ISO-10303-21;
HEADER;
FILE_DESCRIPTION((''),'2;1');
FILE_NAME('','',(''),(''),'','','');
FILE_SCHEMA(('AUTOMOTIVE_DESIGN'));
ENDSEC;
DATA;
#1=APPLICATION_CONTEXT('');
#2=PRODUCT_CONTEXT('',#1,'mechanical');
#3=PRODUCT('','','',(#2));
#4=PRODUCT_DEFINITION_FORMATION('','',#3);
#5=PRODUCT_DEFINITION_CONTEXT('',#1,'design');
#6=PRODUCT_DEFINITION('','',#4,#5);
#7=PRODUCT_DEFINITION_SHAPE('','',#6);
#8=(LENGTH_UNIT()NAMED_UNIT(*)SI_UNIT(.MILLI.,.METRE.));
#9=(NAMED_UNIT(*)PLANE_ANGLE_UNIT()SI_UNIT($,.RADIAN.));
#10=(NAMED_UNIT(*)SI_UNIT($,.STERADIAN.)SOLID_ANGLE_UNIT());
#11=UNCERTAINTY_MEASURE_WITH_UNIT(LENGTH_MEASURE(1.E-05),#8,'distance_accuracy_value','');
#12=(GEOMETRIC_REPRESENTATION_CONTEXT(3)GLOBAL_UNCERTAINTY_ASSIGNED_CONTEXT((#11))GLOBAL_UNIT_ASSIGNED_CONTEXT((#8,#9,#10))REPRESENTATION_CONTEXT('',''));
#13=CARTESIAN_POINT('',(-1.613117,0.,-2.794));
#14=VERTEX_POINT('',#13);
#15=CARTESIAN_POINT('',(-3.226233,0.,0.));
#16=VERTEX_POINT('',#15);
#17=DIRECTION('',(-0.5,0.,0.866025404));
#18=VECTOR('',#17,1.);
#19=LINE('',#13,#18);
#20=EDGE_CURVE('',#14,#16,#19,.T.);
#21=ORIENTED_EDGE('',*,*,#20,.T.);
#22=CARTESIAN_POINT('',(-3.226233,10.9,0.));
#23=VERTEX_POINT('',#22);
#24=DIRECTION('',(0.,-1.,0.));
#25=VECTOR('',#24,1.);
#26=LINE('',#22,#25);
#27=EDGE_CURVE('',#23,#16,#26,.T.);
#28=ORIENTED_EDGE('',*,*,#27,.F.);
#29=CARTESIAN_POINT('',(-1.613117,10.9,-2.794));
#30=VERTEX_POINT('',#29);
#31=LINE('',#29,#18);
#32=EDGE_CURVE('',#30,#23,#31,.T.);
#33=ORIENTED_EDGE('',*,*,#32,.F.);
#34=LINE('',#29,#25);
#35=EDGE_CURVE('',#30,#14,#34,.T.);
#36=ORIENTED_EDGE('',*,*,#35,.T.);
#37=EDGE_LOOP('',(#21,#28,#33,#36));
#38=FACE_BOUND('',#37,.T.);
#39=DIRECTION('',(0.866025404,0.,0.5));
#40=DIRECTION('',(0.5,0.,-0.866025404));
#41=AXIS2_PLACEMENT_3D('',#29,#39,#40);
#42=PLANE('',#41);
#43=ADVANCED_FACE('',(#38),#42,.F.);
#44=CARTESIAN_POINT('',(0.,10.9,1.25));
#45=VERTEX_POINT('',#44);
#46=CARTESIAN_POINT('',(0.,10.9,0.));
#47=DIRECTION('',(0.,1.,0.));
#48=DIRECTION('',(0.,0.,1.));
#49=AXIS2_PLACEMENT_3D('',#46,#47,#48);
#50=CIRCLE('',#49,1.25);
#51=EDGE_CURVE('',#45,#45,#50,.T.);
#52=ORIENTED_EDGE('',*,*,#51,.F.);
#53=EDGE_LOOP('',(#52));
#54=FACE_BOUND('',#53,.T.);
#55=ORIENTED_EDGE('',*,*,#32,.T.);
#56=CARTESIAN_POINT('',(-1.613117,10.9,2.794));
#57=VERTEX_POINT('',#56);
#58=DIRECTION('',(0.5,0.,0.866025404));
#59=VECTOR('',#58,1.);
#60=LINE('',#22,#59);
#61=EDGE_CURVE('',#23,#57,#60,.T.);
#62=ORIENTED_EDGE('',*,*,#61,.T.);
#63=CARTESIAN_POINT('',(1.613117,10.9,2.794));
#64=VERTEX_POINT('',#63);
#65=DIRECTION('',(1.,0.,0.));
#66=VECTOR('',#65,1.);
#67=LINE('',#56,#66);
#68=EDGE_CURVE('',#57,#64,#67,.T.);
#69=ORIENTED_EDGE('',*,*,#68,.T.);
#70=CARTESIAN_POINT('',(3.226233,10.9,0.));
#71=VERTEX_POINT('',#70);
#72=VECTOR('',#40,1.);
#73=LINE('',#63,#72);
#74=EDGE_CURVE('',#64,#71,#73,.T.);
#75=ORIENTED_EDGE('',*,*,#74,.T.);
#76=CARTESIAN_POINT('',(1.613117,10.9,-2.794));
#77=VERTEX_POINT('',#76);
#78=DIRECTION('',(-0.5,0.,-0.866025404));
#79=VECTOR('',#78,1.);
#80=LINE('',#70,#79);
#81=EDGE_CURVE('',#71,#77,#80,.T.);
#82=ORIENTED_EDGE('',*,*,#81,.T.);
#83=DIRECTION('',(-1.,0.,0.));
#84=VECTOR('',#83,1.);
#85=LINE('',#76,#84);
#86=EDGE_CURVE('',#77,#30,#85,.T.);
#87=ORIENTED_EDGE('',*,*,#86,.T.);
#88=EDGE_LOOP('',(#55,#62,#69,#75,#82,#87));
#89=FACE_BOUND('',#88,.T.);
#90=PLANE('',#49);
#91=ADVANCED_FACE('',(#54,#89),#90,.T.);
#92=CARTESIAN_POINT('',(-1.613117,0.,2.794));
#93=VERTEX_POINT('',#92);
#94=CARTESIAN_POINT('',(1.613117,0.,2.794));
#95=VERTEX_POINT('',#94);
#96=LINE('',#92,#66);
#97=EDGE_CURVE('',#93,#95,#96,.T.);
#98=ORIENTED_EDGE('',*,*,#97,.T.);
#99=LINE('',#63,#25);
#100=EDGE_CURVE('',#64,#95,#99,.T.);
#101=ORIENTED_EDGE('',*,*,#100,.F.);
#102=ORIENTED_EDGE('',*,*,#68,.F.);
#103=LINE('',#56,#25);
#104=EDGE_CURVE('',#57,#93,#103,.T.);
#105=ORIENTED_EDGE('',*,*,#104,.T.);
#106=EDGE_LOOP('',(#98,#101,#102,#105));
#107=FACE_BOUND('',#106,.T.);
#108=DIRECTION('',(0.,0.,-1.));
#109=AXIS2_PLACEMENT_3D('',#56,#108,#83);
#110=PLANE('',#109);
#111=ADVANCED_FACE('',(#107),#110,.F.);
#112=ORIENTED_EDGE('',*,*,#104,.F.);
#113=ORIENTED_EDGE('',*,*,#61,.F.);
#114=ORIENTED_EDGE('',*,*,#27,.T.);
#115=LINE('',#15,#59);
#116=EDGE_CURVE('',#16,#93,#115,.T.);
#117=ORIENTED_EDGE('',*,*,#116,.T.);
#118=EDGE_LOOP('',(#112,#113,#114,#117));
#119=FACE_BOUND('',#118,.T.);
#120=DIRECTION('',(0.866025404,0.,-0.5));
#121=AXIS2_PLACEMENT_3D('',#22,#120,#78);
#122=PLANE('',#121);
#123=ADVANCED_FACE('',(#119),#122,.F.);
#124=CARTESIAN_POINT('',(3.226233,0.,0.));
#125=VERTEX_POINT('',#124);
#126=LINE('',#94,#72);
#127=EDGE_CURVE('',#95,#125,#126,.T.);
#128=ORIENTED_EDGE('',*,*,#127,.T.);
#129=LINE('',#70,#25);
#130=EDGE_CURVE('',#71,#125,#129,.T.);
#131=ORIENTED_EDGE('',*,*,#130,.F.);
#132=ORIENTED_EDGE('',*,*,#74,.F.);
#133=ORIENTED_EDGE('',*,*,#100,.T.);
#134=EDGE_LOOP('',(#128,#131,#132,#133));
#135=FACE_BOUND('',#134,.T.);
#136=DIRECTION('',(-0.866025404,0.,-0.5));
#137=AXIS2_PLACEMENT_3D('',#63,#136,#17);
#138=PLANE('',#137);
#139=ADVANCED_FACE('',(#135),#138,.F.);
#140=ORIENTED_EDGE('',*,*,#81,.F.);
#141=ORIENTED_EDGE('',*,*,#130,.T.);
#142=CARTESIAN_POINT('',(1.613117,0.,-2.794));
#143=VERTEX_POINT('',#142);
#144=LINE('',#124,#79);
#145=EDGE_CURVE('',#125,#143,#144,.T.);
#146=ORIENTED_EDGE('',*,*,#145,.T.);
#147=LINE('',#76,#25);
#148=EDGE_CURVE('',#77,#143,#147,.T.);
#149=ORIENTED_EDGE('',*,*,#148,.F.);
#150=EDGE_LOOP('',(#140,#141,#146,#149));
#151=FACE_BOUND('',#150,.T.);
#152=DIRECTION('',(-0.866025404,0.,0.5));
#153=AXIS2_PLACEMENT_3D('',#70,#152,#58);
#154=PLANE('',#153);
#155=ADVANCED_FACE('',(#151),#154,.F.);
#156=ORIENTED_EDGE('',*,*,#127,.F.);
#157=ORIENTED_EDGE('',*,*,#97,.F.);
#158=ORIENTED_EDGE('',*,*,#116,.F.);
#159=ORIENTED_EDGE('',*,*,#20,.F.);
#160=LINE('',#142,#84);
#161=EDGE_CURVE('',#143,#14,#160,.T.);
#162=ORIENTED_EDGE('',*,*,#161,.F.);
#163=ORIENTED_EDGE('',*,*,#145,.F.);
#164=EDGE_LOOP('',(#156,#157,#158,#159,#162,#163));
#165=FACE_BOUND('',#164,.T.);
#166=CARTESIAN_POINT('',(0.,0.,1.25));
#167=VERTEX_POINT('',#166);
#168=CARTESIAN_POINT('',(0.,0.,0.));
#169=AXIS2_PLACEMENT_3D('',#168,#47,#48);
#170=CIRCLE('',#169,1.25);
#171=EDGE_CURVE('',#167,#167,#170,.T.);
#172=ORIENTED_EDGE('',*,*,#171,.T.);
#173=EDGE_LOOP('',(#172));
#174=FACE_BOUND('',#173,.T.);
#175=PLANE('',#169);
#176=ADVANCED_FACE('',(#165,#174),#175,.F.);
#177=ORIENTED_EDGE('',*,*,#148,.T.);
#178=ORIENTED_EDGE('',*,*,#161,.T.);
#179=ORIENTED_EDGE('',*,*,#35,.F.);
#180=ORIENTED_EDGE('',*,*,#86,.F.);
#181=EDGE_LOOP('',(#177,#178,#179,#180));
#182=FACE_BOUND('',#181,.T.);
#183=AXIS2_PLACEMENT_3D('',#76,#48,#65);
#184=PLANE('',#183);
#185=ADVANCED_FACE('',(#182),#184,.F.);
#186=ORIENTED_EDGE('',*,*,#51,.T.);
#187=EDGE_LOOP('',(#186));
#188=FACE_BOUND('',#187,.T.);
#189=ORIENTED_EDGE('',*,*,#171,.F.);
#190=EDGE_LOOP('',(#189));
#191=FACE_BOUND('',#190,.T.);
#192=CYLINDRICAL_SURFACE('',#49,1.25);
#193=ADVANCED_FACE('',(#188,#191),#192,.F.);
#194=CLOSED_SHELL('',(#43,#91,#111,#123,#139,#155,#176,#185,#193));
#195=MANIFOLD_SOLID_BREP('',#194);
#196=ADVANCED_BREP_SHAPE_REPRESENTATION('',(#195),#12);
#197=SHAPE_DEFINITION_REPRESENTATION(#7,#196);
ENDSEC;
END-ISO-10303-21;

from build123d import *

# Parameters (mm, degrees)
BOSS_EXTRUDE1_DEPTH       = 10.9
M3X0_5_TAPPED_HOLE1_D     = 2.5
M3X0_5_TAPPED_HOLE1_DEPTH = 20
M3X0_5_TAPPED_HOLE1_TIP   = 0.751075774


with BuildPart() as part:
    # Sketch1 → Boss-Extrude1 (new body)
    with BuildSketch(Plane(origin=(0, 0, 0), x_dir=(1, 0, 0), z_dir=(0, 1, 0))):
        Polygon((3.226233304, 0), (1.613116652, 2.794), (-1.613116652, 2.794), (-3.226233304, 0), (-1.613116652, -2.794), (1.613116652, -2.794), align=None)
    extrude(amount=BOSS_EXTRUDE1_DEPTH)

    # M3x0.5 Tapped Hole1
    with Locations(Plane(origin=(0, 10.9, 0), x_dir=(1, 0, 0), z_dir=(0, 1, 0))):
        with Locations((0, 0)):
            Hole(M3X0_5_TAPPED_HOLE1_D / 2, depth=M3X0_5_TAPPED_HOLE1_DEPTH)
            with Locations((0, 0, -(M3X0_5_TAPPED_HOLE1_DEPTH + M3X0_5_TAPPED_HOLE1_TIP / 2))):  # 118° drill point
                Cone(0, M3X0_5_TAPPED_HOLE1_D / 2, M3X0_5_TAPPED_HOLE1_TIP, mode=Mode.SUBTRACT)


solid = part.part
